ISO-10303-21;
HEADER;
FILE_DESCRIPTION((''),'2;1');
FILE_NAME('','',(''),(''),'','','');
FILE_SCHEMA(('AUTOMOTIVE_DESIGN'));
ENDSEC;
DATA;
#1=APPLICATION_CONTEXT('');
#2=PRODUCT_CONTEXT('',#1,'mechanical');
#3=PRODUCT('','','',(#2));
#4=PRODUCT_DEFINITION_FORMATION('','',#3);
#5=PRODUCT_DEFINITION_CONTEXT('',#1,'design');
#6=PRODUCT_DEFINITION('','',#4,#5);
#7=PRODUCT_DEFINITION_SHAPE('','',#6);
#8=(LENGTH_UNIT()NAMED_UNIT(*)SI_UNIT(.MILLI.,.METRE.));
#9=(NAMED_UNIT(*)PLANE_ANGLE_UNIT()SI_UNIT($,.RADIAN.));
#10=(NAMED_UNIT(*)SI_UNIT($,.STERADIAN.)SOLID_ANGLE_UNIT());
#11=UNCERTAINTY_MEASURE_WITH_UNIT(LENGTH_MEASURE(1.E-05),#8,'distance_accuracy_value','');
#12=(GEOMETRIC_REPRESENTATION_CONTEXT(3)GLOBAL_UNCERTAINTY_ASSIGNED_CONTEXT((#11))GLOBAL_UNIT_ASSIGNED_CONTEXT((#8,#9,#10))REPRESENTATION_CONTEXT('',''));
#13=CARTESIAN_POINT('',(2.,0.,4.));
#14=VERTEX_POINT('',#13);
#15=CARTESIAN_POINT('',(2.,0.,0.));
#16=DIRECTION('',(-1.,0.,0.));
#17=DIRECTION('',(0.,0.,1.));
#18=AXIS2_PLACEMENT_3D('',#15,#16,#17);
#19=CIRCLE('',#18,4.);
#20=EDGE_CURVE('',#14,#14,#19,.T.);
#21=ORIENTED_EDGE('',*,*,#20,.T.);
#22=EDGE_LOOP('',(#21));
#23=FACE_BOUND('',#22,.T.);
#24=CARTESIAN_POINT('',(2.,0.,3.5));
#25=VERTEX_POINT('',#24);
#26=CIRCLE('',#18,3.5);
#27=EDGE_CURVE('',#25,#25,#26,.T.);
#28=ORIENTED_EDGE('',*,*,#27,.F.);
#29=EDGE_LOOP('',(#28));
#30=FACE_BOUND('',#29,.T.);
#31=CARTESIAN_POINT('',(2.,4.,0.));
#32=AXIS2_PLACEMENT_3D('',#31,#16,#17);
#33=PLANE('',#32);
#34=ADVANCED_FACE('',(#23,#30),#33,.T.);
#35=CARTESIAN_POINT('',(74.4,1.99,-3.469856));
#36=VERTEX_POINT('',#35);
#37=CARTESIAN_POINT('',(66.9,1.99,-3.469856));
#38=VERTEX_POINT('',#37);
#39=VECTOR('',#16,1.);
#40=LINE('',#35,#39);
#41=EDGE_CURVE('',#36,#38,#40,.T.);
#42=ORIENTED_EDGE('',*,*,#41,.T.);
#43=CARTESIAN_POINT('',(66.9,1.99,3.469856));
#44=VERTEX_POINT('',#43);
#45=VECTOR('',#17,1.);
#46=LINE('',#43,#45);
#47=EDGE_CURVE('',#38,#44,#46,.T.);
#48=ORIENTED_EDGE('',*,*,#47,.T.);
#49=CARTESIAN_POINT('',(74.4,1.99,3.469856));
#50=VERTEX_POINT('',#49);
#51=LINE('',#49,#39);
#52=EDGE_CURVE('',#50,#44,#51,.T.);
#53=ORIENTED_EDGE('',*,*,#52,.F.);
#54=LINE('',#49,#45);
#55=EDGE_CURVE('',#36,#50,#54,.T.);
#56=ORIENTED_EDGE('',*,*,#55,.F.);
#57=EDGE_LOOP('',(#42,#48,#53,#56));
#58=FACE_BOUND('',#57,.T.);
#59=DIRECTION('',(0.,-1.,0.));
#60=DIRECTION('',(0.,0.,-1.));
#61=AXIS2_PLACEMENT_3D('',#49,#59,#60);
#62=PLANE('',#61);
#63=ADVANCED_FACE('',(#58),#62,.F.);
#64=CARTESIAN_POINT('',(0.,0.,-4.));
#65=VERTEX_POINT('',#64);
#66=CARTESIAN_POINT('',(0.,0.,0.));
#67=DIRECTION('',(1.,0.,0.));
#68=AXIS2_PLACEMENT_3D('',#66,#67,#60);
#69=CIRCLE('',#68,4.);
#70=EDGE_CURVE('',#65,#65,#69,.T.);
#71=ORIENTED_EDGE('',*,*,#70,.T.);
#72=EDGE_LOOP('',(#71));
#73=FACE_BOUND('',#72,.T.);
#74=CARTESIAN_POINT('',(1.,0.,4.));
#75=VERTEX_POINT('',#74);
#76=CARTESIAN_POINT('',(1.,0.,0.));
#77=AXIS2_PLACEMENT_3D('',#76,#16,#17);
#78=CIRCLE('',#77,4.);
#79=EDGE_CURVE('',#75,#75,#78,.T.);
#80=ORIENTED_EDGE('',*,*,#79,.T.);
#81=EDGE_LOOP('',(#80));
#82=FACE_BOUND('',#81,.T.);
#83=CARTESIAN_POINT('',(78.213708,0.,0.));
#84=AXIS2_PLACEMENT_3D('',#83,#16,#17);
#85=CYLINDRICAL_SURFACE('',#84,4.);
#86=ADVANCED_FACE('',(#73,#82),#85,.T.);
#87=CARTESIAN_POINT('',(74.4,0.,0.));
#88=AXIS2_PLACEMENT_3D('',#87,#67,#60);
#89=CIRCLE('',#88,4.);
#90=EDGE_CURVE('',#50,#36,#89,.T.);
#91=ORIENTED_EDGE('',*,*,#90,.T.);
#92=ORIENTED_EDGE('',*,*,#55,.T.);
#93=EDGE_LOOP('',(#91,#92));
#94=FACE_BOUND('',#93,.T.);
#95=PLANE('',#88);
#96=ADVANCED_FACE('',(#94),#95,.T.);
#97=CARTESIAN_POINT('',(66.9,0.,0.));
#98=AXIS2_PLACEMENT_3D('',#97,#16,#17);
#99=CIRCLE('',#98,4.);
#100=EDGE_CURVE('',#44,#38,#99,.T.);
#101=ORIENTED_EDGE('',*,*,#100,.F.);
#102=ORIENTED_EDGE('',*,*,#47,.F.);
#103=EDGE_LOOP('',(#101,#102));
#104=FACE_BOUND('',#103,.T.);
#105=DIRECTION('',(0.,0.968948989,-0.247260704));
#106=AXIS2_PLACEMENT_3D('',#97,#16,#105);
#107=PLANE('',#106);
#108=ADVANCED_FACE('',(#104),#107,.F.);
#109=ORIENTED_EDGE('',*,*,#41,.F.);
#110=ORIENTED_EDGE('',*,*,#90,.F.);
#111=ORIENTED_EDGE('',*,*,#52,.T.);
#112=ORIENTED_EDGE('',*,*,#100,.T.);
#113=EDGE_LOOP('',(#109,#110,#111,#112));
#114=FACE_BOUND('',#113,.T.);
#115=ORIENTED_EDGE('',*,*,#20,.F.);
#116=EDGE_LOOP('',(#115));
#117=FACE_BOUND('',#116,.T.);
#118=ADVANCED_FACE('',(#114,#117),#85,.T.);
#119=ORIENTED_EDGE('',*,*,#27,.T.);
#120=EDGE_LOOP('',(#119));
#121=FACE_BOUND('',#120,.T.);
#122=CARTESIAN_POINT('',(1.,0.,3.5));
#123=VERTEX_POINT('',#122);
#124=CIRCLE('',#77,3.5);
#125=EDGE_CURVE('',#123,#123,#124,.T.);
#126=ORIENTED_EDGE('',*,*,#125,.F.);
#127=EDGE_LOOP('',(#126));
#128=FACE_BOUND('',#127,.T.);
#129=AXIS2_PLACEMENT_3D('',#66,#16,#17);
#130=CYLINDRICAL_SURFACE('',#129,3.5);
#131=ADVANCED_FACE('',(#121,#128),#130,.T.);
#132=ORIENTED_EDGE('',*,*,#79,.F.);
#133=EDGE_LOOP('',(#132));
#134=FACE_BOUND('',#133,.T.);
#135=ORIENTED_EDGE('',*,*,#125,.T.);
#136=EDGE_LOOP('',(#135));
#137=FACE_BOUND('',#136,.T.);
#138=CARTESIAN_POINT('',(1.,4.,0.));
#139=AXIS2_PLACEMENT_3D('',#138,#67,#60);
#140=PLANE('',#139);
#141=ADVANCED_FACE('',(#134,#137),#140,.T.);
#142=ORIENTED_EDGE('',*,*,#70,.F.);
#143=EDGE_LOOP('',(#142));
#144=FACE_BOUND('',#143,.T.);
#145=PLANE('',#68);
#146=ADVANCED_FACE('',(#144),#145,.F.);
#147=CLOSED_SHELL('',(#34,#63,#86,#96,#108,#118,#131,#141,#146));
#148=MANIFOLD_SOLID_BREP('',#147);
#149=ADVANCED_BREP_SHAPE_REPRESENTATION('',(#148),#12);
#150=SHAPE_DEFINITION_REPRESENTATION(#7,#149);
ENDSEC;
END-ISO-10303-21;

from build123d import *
from build123d.topology import SkipClean

# Parameters (mm, degrees)
SKETCH2_R           = 4
BOSS_EXTRUDE1_DEPTH = 66.9
BOSS_EXTRUDE2_DEPTH = 7.5
SKETCH4_W           = 1
SKETCH4_H           = 0.5


with BuildPart() as part:
    # Sketch2 → Boss-Extrude1 (new body)
    with BuildSketch(Plane(origin=(0, 0, 0), x_dir=(0, 0, -1), z_dir=(1, 0, 0))):
        with Locations(Location((0, 0, 0), (0, 0, 180))):
            Circle(SKETCH2_R)
    extrude(amount=BOSS_EXTRUDE1_DEPTH)

    # Sketch3 → Boss-Extrude2 (add)
    with SkipClean():  # the faces are left unmerged after this step: merging them gives an invalid solid
        with BuildSketch(Plane(origin=(66.9, 0, 0), x_dir=(0, 0, -1), z_dir=(1, 0, 0))):
            with BuildLine():
                Line((-3.469855905, 1.99), (3.469855905, 1.99))
                ThreePointArc((3.469855905, 1.99), (0, -4), (-3.469855905, 1.99))
            make_face()
        extrude(amount=BOSS_EXTRUDE2_DEPTH)

    # Sketch4 → Cut-Revolve1 (revolve, cut)
    with SkipClean():  # the faces are left unmerged after this step: merging them gives an invalid solid
        with BuildSketch(Plane.XY, mode=Mode.PRIVATE) as cut_revolve1_sk:
            with Locations((1.5, 3.75)):
                Rectangle(SKETCH4_W, SKETCH4_H)
        revolve(cut_revolve1_sk.sketch.rotate(Axis((0, 0, 0), (1, 0, 0)), 90), axis=Axis((0, 0, 0), (1, 0, 0)), mode=Mode.SUBTRACT)


solid = part.part
